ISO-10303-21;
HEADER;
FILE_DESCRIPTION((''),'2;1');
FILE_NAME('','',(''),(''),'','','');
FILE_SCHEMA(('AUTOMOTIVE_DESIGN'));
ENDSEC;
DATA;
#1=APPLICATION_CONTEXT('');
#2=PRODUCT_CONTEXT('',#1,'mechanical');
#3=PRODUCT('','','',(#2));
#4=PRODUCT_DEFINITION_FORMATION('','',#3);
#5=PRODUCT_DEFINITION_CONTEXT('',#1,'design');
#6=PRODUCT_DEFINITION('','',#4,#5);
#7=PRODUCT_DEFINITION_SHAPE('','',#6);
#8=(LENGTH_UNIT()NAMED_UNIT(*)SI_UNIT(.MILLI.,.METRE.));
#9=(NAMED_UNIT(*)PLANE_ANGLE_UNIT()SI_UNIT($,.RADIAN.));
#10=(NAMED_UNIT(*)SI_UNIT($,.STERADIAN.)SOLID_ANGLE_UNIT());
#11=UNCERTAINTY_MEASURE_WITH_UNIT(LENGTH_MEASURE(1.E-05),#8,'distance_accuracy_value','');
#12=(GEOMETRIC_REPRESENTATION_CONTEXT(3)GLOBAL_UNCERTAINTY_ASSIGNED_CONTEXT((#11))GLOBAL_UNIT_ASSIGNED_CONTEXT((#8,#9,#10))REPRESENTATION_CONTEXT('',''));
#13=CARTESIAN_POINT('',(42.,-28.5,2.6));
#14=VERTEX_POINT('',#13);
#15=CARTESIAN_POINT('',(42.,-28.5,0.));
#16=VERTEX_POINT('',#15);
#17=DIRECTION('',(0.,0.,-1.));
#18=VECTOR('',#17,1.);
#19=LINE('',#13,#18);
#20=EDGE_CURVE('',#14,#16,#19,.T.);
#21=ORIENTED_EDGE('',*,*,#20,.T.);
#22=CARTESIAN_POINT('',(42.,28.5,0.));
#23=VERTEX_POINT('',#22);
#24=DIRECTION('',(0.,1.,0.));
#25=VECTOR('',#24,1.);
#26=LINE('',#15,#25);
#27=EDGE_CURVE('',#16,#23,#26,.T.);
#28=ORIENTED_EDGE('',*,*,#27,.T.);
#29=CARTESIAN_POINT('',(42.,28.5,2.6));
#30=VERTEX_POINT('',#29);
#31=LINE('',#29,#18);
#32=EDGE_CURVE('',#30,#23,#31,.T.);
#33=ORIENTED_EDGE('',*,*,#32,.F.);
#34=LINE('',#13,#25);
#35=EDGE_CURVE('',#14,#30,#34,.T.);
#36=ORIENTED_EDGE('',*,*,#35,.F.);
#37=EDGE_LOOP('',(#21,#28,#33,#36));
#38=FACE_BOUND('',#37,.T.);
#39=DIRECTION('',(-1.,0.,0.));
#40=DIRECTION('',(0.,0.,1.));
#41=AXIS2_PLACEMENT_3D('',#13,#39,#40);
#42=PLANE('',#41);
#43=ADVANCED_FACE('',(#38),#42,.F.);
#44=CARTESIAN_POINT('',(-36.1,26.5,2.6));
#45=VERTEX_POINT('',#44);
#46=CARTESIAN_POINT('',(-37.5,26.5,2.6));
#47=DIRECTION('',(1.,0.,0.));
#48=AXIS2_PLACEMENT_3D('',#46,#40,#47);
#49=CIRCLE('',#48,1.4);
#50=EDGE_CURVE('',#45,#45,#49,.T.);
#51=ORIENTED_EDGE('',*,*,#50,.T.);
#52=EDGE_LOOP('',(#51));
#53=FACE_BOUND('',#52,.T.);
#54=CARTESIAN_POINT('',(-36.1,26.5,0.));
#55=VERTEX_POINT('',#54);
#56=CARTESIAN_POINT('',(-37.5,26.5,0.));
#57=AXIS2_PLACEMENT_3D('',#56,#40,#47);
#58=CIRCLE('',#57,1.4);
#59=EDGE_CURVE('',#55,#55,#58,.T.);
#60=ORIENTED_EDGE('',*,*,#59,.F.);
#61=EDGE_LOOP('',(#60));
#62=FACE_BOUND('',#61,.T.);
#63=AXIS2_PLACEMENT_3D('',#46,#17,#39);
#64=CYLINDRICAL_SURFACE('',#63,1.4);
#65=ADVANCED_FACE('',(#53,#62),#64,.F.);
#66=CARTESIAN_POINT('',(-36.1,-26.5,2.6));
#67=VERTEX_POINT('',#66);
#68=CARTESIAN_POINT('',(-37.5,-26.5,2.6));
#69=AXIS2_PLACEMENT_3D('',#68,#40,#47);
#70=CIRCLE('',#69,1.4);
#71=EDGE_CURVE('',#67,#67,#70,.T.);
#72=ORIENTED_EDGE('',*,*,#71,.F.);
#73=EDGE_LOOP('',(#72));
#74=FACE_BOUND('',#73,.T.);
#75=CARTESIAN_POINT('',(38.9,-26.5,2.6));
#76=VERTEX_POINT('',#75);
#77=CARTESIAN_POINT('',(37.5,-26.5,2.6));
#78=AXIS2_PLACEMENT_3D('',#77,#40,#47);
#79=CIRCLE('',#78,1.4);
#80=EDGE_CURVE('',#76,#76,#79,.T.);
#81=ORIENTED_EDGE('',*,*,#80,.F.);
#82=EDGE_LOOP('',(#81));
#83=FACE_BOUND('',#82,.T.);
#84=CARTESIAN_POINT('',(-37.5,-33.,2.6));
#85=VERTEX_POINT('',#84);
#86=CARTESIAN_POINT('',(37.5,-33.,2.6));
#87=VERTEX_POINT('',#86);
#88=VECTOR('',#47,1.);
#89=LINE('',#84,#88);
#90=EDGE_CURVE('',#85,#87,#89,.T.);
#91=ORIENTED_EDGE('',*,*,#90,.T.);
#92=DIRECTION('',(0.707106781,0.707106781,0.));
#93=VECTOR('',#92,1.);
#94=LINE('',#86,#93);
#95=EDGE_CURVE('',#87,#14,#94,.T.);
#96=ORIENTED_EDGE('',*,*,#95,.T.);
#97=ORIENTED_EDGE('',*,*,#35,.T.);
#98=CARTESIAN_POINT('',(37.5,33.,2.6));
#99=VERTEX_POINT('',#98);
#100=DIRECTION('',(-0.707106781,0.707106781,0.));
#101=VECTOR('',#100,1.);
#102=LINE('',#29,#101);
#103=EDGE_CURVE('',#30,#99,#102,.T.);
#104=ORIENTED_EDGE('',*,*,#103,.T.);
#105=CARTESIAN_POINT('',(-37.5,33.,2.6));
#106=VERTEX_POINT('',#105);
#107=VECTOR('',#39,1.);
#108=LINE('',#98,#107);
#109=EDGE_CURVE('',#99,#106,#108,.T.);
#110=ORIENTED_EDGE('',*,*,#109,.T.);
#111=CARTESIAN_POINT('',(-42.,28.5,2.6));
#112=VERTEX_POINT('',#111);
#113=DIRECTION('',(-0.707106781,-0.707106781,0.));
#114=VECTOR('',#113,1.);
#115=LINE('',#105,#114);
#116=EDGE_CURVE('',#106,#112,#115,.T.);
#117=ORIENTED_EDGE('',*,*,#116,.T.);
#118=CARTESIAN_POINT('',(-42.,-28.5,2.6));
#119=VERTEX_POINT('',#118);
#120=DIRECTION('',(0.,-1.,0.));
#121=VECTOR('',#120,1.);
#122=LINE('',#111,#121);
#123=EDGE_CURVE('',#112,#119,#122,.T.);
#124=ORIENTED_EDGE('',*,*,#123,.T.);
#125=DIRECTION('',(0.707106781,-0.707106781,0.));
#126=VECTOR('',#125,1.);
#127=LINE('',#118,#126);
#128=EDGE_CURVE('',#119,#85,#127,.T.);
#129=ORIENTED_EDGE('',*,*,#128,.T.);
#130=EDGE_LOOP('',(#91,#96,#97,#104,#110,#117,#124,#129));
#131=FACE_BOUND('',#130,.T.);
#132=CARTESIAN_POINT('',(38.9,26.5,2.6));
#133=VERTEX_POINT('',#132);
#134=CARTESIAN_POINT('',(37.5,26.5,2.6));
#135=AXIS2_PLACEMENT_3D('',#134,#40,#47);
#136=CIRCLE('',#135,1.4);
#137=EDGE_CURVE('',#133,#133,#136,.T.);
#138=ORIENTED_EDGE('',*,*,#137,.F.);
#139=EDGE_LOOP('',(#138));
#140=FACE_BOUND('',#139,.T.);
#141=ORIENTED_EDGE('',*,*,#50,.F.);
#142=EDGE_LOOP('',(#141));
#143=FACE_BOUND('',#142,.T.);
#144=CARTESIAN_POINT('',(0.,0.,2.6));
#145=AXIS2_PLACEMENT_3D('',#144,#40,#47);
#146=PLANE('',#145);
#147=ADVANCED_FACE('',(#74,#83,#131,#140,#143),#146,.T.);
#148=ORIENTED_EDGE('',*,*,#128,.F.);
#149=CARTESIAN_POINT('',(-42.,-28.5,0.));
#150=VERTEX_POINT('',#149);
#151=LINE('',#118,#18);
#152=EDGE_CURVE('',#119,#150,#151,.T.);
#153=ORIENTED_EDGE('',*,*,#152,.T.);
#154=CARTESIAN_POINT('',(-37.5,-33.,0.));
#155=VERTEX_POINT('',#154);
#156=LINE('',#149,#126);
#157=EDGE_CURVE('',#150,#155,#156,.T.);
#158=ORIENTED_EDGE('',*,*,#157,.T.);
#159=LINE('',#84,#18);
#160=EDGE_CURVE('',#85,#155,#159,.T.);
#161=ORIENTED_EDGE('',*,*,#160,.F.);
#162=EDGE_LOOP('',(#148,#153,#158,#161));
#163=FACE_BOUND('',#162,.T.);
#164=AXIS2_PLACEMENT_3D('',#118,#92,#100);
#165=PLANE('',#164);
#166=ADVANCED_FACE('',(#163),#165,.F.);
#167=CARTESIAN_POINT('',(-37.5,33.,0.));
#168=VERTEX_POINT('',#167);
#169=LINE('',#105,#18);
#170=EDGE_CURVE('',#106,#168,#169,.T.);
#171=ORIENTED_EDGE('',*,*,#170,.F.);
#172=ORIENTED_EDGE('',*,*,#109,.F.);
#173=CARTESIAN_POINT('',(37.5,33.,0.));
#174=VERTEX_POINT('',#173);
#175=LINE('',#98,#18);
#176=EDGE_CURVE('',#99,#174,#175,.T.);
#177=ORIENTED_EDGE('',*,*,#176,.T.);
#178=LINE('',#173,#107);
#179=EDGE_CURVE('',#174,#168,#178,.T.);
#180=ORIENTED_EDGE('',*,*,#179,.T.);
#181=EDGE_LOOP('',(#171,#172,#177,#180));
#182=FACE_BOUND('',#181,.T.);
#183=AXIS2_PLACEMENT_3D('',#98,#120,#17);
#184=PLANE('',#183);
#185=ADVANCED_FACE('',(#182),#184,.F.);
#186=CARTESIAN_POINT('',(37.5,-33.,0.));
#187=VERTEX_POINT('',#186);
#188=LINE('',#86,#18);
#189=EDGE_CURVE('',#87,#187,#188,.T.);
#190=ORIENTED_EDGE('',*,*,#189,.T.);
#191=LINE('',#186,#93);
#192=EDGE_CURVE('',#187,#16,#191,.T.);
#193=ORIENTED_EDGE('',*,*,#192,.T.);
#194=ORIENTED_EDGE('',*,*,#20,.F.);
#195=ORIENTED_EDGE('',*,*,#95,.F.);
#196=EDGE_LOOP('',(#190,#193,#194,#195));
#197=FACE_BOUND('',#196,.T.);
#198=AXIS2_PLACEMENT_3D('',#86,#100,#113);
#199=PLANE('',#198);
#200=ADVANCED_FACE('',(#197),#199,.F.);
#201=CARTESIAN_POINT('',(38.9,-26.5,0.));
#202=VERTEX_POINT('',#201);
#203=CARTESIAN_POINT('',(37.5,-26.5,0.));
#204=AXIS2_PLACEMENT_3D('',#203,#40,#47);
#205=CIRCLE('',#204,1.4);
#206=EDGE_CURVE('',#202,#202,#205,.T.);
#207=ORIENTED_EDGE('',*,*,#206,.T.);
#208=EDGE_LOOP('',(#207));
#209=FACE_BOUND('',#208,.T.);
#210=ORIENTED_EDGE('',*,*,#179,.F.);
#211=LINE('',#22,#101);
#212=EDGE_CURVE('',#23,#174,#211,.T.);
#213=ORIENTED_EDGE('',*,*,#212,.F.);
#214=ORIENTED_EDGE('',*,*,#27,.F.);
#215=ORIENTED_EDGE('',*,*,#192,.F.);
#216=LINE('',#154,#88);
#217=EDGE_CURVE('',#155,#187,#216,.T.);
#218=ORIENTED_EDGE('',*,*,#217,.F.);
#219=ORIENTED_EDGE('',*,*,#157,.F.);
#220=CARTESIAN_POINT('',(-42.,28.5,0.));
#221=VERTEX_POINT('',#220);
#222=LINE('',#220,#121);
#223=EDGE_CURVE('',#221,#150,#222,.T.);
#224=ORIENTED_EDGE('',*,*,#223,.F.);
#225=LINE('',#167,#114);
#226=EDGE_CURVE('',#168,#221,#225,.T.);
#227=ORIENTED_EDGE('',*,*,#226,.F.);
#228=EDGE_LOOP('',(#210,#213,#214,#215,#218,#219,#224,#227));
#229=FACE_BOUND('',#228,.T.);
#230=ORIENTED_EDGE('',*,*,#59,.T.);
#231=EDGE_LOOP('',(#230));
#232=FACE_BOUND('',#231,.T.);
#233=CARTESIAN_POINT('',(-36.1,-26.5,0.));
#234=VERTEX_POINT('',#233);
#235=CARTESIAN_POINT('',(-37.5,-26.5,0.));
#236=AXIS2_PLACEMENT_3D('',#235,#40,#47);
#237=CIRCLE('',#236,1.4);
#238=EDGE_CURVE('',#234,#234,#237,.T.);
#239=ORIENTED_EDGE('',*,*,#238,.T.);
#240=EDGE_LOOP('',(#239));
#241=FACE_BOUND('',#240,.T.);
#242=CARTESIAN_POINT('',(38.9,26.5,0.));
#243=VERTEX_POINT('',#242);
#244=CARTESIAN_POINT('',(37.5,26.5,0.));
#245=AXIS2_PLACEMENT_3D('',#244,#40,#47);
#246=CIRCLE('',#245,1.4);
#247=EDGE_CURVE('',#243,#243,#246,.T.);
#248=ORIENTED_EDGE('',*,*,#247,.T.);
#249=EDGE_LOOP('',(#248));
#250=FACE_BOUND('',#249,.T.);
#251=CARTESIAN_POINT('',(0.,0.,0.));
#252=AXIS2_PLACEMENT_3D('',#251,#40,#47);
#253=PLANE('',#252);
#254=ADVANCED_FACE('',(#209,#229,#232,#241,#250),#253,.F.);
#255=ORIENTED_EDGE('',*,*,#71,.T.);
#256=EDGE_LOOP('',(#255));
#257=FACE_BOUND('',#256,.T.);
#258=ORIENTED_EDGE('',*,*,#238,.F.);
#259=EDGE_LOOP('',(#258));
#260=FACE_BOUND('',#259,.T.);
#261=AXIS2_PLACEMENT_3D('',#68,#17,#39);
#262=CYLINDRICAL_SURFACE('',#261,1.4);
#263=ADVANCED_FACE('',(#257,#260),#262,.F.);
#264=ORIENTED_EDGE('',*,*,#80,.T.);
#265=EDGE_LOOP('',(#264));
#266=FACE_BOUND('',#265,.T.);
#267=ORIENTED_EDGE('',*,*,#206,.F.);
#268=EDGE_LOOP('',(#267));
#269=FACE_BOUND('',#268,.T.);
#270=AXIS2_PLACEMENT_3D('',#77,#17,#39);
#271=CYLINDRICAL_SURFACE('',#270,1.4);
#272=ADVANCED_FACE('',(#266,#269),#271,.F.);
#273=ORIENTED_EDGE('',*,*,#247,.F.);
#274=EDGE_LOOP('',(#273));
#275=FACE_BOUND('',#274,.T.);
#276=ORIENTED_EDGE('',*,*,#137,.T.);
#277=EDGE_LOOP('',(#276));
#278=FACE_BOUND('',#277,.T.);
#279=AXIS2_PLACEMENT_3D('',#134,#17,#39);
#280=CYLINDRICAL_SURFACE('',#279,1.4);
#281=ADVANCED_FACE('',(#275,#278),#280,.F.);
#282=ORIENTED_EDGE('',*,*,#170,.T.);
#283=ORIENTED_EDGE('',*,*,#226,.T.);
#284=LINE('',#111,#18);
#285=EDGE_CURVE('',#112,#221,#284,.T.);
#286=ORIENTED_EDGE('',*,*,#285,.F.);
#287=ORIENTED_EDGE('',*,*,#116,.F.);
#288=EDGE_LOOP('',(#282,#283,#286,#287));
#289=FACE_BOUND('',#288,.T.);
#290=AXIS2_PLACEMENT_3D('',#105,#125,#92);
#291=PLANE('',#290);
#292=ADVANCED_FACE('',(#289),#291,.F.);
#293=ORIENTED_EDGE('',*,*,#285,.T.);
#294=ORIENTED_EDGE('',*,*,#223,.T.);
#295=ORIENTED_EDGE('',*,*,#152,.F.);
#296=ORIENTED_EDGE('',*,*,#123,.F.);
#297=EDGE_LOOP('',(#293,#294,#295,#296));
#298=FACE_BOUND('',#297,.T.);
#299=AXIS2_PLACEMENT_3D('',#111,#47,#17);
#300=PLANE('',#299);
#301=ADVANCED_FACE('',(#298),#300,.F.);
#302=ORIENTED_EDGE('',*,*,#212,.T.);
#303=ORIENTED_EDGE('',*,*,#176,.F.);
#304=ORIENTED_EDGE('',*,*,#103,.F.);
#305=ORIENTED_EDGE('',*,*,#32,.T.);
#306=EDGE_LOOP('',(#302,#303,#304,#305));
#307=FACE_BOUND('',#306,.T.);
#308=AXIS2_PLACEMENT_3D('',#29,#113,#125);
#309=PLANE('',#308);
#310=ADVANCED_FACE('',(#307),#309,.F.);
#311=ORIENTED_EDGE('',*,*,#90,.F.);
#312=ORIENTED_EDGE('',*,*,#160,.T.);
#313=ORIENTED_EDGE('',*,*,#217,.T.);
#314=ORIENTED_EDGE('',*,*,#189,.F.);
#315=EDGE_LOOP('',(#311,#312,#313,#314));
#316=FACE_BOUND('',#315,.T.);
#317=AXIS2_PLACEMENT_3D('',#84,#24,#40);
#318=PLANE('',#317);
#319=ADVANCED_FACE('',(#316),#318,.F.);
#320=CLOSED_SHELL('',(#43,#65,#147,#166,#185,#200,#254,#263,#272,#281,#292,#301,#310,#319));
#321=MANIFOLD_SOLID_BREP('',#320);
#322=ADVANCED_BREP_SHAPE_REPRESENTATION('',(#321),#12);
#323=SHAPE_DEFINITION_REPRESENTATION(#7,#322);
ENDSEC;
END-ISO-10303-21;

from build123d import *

# Parameters (mm, degrees)
F_84_X_66_COVER_FOUR_D2_8_HOLES_PROFILE_R = 1.4
F_84_X_66_COVER_FOUR_D2_8_HOLES_DEPTH     = 2.6


with BuildPart() as part:
    # 84 x 66 cover - four D2.8 holes profile → 84 x 66 cover - four D2.8 holes (new body)
    with BuildSketch(Plane.XY):
        Polygon((-37.5, -33), (37.5, -33), (42, -28.5), (42, 28.5), (37.5, 33), (-37.5, 33), (-42, 28.5), (-42, -28.5), align=None)
        with Locations((-37.5, -26.5)):
            Circle(F_84_X_66_COVER_FOUR_D2_8_HOLES_PROFILE_R, mode=Mode.SUBTRACT)
        with Locations((37.5, -26.5)):
            Circle(F_84_X_66_COVER_FOUR_D2_8_HOLES_PROFILE_R, mode=Mode.SUBTRACT)
        with Locations((-37.5, 26.5)):
            Circle(F_84_X_66_COVER_FOUR_D2_8_HOLES_PROFILE_R, mode=Mode.SUBTRACT)
        with Locations((37.5, 26.5)):
            Circle(F_84_X_66_COVER_FOUR_D2_8_HOLES_PROFILE_R, mode=Mode.SUBTRACT)
    extrude(amount=F_84_X_66_COVER_FOUR_D2_8_HOLES_DEPTH)


solid = part.part
